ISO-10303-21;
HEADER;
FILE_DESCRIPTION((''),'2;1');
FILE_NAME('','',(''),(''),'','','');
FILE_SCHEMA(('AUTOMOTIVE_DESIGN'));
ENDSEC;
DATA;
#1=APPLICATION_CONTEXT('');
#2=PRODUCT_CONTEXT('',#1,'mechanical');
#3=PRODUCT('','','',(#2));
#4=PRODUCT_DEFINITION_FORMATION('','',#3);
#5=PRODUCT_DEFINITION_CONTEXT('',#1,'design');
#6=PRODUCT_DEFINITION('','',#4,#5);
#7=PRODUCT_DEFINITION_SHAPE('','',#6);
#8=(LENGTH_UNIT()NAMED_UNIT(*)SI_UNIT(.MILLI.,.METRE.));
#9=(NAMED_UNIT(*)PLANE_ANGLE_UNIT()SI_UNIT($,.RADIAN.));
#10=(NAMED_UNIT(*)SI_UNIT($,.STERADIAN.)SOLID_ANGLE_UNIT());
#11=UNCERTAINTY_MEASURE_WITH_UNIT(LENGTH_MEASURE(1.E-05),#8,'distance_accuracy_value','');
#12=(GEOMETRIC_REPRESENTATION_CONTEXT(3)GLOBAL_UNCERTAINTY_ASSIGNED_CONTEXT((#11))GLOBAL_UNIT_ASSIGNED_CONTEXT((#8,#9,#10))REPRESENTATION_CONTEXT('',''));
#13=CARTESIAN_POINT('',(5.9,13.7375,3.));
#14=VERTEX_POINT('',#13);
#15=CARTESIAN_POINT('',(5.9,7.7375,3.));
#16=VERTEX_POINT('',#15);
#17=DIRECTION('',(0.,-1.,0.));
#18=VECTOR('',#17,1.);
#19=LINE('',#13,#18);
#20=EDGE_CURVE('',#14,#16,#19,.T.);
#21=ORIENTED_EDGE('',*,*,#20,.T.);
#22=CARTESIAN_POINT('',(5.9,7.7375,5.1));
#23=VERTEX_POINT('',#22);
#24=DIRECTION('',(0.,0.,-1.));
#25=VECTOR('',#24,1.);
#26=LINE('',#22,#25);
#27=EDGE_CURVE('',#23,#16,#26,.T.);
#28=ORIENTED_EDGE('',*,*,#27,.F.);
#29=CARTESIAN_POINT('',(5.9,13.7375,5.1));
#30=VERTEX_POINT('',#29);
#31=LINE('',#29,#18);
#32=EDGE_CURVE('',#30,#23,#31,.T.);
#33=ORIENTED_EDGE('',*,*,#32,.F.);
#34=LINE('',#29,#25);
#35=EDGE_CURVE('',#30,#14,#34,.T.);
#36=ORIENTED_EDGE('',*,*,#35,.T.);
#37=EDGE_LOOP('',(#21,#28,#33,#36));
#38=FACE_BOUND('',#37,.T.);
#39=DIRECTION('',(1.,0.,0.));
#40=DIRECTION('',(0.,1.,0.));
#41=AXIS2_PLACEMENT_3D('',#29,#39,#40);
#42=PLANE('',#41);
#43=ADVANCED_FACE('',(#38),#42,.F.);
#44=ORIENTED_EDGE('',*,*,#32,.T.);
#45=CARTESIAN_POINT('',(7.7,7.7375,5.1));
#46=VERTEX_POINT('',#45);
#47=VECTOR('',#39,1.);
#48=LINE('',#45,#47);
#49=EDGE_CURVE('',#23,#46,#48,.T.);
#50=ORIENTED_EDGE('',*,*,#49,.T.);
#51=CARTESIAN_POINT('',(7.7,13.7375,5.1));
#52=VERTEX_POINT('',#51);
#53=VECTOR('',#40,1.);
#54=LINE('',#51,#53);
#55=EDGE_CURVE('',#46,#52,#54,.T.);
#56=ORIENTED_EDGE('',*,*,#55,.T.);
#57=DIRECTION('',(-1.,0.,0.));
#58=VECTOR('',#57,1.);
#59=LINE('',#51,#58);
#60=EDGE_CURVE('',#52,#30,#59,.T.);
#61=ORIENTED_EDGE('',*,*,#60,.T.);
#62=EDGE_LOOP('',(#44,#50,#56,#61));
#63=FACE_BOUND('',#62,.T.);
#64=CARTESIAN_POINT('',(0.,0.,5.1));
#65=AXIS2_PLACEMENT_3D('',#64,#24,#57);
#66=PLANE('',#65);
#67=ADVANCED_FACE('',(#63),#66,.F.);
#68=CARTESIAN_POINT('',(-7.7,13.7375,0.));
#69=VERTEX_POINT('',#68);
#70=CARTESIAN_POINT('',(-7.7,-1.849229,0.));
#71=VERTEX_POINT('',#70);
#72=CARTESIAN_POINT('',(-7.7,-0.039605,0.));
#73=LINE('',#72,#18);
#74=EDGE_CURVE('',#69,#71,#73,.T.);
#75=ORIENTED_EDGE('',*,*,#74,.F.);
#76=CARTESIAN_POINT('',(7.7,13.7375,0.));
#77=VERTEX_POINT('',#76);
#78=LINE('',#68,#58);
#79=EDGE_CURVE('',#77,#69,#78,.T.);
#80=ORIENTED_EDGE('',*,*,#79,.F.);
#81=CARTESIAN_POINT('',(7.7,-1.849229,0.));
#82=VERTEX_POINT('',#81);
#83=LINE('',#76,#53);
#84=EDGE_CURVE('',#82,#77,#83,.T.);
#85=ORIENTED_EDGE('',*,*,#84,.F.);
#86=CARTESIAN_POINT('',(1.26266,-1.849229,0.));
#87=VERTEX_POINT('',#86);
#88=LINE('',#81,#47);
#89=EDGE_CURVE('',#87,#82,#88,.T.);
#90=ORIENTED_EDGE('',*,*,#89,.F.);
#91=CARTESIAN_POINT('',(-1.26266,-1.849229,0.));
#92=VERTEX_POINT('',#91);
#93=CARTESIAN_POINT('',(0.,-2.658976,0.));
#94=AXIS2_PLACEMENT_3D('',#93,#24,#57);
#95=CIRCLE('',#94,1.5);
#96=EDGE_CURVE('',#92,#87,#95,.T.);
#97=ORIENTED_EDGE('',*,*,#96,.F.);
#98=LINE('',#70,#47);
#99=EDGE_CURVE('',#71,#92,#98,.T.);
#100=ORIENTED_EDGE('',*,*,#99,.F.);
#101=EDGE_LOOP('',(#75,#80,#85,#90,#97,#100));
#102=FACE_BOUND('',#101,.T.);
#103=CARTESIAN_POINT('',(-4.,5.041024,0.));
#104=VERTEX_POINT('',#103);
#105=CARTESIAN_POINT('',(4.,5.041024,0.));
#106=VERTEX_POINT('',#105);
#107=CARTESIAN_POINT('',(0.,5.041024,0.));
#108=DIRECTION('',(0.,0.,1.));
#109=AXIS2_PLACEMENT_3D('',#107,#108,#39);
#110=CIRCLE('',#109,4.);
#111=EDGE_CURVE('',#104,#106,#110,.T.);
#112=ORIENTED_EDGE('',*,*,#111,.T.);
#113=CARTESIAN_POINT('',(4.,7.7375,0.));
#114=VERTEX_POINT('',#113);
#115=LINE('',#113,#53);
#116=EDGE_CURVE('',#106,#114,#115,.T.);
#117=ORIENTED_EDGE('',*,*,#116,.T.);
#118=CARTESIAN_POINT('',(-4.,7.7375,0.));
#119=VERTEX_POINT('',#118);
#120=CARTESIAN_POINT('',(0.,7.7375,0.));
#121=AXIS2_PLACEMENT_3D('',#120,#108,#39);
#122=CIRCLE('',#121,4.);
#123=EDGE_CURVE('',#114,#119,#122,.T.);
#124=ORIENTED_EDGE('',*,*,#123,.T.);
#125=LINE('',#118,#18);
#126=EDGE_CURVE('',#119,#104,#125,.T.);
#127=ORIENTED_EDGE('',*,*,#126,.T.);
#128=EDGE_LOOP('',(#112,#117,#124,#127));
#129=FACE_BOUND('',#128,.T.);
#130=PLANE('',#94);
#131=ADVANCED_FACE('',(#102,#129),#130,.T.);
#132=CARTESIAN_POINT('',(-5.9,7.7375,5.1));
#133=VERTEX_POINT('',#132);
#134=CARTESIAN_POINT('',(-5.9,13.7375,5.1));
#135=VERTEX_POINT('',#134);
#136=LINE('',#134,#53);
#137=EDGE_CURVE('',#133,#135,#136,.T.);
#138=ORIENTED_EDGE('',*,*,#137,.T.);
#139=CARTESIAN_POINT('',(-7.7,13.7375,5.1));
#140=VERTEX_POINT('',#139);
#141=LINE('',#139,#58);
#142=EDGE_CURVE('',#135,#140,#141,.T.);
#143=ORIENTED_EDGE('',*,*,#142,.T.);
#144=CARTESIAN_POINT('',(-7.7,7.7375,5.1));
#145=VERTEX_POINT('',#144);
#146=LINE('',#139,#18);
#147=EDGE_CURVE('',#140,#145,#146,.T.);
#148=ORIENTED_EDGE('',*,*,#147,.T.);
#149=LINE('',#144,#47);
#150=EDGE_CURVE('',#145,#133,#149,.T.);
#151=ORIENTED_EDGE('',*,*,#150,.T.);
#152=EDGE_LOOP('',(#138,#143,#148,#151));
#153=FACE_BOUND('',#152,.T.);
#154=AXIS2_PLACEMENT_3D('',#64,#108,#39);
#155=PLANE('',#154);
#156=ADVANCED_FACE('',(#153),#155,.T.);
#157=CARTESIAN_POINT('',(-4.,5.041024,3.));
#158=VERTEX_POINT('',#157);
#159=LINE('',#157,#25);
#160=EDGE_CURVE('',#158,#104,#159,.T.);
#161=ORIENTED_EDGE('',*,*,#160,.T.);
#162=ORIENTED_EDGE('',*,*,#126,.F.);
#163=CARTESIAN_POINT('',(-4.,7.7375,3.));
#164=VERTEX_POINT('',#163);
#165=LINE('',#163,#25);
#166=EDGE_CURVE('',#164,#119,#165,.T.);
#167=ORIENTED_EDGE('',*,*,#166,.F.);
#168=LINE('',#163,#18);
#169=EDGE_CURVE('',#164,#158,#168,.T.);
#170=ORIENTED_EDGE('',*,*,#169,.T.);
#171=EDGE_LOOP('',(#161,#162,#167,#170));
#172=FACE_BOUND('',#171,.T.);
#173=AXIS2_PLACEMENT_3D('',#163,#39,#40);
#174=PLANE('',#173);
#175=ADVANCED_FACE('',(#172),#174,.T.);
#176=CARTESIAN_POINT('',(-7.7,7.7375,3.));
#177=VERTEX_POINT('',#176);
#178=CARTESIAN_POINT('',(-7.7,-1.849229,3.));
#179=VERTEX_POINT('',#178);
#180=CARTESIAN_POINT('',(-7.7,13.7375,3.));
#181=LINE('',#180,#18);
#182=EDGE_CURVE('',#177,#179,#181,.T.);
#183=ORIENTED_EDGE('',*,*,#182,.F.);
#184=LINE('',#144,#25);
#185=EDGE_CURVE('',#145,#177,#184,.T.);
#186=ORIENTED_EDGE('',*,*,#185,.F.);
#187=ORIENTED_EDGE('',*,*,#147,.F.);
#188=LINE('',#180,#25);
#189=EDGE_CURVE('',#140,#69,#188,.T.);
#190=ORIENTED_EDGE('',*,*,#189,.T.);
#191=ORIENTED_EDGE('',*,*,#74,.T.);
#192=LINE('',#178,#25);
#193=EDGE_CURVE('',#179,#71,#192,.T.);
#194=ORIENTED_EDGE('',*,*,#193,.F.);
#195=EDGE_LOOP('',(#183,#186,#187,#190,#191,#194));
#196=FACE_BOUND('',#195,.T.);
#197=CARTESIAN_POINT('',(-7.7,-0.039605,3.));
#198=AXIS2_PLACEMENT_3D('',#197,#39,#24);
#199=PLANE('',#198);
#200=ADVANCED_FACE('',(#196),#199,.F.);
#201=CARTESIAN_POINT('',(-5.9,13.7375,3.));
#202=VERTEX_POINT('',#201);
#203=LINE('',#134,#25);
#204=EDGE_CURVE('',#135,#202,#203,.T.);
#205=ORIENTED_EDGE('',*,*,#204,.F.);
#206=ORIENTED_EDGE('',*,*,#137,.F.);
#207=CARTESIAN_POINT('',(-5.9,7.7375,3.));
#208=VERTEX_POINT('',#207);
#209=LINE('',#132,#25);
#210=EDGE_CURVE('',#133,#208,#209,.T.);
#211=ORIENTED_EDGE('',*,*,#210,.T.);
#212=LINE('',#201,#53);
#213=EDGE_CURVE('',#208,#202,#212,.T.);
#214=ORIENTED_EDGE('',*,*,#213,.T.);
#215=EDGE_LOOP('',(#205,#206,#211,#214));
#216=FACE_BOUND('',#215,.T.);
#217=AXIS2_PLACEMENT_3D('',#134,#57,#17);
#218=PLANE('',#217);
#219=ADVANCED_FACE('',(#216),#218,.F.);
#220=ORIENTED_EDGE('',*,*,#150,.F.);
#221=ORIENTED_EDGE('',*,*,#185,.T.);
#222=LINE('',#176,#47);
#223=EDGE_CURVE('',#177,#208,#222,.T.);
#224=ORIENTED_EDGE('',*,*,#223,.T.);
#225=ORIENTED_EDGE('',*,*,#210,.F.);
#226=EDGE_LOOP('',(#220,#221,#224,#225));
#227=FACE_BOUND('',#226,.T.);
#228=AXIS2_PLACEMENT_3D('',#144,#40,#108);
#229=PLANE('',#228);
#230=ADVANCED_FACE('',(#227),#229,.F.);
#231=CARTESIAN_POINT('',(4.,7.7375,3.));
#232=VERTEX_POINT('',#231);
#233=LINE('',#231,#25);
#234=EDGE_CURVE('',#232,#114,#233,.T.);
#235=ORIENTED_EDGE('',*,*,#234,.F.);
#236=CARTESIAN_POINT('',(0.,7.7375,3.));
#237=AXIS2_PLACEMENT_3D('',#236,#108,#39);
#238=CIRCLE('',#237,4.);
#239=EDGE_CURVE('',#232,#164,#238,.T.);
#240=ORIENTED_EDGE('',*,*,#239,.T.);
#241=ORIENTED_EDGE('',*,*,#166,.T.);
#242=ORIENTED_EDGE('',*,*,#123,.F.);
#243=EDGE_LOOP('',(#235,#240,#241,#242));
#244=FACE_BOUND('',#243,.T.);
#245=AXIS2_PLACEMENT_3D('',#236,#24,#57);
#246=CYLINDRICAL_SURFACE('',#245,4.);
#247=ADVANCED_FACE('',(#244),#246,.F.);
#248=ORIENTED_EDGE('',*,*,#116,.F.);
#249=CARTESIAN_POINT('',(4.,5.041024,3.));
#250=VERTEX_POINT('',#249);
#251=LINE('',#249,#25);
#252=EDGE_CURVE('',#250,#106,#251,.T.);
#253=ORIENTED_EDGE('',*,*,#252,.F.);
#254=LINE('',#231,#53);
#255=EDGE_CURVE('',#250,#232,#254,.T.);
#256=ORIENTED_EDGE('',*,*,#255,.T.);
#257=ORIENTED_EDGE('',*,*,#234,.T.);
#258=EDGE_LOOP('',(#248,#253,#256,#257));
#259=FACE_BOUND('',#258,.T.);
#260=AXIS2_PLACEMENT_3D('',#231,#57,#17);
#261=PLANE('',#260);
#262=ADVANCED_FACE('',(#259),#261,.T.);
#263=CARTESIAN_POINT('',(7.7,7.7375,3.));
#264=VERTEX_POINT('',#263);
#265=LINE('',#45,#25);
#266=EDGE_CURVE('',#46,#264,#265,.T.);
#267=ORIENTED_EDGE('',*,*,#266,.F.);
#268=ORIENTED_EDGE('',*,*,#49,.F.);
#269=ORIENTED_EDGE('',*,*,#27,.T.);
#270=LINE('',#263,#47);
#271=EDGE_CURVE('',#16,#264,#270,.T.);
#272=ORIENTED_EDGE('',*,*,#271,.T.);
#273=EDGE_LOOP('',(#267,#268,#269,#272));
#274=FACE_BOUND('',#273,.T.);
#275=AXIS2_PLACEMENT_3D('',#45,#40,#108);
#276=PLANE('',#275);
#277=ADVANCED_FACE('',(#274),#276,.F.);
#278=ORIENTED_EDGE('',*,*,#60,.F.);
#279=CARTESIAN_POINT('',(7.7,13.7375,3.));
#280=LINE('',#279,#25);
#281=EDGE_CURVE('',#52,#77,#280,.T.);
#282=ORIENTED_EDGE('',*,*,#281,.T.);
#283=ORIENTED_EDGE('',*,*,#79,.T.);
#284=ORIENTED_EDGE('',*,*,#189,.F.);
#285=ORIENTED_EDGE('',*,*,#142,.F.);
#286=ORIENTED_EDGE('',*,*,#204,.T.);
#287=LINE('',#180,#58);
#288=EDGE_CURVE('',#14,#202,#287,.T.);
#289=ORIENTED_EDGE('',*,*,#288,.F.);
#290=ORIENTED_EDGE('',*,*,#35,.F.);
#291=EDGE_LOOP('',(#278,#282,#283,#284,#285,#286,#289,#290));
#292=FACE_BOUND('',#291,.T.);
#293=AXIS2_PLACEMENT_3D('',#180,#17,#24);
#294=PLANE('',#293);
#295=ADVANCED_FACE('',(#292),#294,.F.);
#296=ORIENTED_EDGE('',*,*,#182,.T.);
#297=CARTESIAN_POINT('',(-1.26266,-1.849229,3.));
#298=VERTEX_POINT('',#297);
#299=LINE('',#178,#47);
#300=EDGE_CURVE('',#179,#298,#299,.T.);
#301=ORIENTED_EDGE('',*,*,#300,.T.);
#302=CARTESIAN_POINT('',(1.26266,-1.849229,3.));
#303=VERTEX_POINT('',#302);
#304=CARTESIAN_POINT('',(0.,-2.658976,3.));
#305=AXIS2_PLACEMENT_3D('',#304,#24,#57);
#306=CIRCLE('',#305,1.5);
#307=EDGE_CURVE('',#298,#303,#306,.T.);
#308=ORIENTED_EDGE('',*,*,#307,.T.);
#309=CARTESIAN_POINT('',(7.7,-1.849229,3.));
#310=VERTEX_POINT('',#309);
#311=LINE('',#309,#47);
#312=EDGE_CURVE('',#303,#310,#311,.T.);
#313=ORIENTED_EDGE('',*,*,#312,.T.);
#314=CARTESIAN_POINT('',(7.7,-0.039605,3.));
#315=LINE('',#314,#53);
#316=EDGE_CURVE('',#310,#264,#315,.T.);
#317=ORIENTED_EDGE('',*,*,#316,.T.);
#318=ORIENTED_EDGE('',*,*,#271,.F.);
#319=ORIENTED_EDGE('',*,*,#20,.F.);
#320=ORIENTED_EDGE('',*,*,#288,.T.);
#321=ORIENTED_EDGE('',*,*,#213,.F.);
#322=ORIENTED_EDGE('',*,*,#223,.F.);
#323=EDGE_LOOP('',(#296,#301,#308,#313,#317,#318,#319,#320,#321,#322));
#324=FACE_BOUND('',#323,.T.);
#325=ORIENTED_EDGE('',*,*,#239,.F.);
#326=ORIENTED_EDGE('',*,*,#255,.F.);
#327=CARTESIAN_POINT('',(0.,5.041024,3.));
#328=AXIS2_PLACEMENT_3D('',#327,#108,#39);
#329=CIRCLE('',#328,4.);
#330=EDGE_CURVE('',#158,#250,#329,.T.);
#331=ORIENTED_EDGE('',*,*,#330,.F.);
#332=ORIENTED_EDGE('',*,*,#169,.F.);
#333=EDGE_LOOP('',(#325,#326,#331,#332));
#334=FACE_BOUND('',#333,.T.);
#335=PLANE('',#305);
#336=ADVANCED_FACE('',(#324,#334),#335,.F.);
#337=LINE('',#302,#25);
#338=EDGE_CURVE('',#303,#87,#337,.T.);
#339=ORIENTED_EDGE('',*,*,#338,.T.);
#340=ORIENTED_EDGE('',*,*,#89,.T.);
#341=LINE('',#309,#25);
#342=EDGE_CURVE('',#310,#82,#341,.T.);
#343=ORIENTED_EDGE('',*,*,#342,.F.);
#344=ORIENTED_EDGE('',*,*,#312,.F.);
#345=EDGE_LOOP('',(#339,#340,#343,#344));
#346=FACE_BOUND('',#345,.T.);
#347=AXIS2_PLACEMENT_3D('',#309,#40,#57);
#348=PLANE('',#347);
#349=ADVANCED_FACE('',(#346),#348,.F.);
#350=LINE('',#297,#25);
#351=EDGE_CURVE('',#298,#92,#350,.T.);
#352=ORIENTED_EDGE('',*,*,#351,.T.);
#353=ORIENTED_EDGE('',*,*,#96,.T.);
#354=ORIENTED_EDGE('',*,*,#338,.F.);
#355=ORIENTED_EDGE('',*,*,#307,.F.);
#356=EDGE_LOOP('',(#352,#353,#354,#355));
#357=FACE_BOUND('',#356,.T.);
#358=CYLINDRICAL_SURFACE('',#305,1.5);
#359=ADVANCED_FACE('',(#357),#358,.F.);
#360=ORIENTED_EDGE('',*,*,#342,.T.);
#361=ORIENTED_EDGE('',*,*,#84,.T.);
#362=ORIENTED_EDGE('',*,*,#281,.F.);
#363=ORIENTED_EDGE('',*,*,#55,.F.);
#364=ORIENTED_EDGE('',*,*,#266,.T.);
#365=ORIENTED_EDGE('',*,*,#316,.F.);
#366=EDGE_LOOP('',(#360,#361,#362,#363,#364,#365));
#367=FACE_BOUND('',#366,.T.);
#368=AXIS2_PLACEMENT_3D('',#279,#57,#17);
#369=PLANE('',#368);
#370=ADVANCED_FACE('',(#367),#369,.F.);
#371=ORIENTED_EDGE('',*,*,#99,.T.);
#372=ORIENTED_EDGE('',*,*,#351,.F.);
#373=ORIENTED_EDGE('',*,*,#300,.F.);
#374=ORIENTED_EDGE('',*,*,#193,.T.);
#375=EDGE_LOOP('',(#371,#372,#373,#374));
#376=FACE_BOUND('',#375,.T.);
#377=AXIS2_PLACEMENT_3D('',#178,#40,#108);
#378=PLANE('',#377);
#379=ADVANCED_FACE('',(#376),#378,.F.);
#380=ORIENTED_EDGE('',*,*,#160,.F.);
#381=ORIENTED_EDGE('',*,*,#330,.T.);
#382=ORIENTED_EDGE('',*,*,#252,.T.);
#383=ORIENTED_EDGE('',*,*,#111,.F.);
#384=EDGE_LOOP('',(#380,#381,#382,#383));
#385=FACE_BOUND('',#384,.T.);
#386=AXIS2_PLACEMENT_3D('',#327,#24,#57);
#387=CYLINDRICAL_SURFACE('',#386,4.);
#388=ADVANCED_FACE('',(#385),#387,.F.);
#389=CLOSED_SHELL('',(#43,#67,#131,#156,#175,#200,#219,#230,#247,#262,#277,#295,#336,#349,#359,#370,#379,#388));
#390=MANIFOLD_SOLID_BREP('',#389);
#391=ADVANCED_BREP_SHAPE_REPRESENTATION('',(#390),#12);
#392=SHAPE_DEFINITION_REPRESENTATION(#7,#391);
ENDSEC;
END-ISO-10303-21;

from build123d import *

# Parameters (mm, degrees)
EXTRUDE_1_DEPTH = 3
SKETCH_2_W      = 1.8
SKETCH_2_H      = 6
EXTRUDE_2_DEPTH = 2.1


with BuildPart() as part:
    # Эскиз1 → Бобышка-Вытянуть1 (new body)
    with BuildSketch(Plane.XY):
        with BuildLine():
            Line((-7.7, 13.737499607), (7.7, 13.737499607))
            Line((7.7, 13.737499607), (7.7, -0.039604792))
            Line((7.7, -0.039604792), (7.7, -1.849229377))
            Line((7.7, -1.849229377), (1.262659878, -1.849229377))
            ThreePointArc((1.262659878, -1.849229377), (0, -1.158976271), (-1.262659878, -1.849229377))
            Line((-1.262659878, -1.849229377), (-7.7, -1.849229377))
            Line((-7.7, -1.849229377), (-7.7, -0.039604792))
            Line((-7.7, -0.039604792), (-7.7, 13.737499607))
        make_face()
        with BuildLine():
            Line((4, 7.737499607), (4, 5.041023729))
            ThreePointArc((4, 5.041023729), (0, 1.041023729), (-4, 5.041023729))
            Line((-4, 5.041023729), (-4, 7.737499607))
            ThreePointArc((-4, 7.737499607), (0, 11.737499607), (4, 7.737499607))
        make_face(mode=Mode.SUBTRACT)
    extrude(amount=EXTRUDE_1_DEPTH)

    # Эскиз2 → Бобышка-Вытянуть2 (add)
    with BuildSketch(Plane.XY.offset(3)):
        with Locations((-6.8, 10.737499607)):
            Rectangle(SKETCH_2_W, SKETCH_2_H)
        with Locations((6.8, 10.737499607)):
            Rectangle(SKETCH_2_W, SKETCH_2_H)
    extrude(amount=EXTRUDE_2_DEPTH)


solid = part.part
